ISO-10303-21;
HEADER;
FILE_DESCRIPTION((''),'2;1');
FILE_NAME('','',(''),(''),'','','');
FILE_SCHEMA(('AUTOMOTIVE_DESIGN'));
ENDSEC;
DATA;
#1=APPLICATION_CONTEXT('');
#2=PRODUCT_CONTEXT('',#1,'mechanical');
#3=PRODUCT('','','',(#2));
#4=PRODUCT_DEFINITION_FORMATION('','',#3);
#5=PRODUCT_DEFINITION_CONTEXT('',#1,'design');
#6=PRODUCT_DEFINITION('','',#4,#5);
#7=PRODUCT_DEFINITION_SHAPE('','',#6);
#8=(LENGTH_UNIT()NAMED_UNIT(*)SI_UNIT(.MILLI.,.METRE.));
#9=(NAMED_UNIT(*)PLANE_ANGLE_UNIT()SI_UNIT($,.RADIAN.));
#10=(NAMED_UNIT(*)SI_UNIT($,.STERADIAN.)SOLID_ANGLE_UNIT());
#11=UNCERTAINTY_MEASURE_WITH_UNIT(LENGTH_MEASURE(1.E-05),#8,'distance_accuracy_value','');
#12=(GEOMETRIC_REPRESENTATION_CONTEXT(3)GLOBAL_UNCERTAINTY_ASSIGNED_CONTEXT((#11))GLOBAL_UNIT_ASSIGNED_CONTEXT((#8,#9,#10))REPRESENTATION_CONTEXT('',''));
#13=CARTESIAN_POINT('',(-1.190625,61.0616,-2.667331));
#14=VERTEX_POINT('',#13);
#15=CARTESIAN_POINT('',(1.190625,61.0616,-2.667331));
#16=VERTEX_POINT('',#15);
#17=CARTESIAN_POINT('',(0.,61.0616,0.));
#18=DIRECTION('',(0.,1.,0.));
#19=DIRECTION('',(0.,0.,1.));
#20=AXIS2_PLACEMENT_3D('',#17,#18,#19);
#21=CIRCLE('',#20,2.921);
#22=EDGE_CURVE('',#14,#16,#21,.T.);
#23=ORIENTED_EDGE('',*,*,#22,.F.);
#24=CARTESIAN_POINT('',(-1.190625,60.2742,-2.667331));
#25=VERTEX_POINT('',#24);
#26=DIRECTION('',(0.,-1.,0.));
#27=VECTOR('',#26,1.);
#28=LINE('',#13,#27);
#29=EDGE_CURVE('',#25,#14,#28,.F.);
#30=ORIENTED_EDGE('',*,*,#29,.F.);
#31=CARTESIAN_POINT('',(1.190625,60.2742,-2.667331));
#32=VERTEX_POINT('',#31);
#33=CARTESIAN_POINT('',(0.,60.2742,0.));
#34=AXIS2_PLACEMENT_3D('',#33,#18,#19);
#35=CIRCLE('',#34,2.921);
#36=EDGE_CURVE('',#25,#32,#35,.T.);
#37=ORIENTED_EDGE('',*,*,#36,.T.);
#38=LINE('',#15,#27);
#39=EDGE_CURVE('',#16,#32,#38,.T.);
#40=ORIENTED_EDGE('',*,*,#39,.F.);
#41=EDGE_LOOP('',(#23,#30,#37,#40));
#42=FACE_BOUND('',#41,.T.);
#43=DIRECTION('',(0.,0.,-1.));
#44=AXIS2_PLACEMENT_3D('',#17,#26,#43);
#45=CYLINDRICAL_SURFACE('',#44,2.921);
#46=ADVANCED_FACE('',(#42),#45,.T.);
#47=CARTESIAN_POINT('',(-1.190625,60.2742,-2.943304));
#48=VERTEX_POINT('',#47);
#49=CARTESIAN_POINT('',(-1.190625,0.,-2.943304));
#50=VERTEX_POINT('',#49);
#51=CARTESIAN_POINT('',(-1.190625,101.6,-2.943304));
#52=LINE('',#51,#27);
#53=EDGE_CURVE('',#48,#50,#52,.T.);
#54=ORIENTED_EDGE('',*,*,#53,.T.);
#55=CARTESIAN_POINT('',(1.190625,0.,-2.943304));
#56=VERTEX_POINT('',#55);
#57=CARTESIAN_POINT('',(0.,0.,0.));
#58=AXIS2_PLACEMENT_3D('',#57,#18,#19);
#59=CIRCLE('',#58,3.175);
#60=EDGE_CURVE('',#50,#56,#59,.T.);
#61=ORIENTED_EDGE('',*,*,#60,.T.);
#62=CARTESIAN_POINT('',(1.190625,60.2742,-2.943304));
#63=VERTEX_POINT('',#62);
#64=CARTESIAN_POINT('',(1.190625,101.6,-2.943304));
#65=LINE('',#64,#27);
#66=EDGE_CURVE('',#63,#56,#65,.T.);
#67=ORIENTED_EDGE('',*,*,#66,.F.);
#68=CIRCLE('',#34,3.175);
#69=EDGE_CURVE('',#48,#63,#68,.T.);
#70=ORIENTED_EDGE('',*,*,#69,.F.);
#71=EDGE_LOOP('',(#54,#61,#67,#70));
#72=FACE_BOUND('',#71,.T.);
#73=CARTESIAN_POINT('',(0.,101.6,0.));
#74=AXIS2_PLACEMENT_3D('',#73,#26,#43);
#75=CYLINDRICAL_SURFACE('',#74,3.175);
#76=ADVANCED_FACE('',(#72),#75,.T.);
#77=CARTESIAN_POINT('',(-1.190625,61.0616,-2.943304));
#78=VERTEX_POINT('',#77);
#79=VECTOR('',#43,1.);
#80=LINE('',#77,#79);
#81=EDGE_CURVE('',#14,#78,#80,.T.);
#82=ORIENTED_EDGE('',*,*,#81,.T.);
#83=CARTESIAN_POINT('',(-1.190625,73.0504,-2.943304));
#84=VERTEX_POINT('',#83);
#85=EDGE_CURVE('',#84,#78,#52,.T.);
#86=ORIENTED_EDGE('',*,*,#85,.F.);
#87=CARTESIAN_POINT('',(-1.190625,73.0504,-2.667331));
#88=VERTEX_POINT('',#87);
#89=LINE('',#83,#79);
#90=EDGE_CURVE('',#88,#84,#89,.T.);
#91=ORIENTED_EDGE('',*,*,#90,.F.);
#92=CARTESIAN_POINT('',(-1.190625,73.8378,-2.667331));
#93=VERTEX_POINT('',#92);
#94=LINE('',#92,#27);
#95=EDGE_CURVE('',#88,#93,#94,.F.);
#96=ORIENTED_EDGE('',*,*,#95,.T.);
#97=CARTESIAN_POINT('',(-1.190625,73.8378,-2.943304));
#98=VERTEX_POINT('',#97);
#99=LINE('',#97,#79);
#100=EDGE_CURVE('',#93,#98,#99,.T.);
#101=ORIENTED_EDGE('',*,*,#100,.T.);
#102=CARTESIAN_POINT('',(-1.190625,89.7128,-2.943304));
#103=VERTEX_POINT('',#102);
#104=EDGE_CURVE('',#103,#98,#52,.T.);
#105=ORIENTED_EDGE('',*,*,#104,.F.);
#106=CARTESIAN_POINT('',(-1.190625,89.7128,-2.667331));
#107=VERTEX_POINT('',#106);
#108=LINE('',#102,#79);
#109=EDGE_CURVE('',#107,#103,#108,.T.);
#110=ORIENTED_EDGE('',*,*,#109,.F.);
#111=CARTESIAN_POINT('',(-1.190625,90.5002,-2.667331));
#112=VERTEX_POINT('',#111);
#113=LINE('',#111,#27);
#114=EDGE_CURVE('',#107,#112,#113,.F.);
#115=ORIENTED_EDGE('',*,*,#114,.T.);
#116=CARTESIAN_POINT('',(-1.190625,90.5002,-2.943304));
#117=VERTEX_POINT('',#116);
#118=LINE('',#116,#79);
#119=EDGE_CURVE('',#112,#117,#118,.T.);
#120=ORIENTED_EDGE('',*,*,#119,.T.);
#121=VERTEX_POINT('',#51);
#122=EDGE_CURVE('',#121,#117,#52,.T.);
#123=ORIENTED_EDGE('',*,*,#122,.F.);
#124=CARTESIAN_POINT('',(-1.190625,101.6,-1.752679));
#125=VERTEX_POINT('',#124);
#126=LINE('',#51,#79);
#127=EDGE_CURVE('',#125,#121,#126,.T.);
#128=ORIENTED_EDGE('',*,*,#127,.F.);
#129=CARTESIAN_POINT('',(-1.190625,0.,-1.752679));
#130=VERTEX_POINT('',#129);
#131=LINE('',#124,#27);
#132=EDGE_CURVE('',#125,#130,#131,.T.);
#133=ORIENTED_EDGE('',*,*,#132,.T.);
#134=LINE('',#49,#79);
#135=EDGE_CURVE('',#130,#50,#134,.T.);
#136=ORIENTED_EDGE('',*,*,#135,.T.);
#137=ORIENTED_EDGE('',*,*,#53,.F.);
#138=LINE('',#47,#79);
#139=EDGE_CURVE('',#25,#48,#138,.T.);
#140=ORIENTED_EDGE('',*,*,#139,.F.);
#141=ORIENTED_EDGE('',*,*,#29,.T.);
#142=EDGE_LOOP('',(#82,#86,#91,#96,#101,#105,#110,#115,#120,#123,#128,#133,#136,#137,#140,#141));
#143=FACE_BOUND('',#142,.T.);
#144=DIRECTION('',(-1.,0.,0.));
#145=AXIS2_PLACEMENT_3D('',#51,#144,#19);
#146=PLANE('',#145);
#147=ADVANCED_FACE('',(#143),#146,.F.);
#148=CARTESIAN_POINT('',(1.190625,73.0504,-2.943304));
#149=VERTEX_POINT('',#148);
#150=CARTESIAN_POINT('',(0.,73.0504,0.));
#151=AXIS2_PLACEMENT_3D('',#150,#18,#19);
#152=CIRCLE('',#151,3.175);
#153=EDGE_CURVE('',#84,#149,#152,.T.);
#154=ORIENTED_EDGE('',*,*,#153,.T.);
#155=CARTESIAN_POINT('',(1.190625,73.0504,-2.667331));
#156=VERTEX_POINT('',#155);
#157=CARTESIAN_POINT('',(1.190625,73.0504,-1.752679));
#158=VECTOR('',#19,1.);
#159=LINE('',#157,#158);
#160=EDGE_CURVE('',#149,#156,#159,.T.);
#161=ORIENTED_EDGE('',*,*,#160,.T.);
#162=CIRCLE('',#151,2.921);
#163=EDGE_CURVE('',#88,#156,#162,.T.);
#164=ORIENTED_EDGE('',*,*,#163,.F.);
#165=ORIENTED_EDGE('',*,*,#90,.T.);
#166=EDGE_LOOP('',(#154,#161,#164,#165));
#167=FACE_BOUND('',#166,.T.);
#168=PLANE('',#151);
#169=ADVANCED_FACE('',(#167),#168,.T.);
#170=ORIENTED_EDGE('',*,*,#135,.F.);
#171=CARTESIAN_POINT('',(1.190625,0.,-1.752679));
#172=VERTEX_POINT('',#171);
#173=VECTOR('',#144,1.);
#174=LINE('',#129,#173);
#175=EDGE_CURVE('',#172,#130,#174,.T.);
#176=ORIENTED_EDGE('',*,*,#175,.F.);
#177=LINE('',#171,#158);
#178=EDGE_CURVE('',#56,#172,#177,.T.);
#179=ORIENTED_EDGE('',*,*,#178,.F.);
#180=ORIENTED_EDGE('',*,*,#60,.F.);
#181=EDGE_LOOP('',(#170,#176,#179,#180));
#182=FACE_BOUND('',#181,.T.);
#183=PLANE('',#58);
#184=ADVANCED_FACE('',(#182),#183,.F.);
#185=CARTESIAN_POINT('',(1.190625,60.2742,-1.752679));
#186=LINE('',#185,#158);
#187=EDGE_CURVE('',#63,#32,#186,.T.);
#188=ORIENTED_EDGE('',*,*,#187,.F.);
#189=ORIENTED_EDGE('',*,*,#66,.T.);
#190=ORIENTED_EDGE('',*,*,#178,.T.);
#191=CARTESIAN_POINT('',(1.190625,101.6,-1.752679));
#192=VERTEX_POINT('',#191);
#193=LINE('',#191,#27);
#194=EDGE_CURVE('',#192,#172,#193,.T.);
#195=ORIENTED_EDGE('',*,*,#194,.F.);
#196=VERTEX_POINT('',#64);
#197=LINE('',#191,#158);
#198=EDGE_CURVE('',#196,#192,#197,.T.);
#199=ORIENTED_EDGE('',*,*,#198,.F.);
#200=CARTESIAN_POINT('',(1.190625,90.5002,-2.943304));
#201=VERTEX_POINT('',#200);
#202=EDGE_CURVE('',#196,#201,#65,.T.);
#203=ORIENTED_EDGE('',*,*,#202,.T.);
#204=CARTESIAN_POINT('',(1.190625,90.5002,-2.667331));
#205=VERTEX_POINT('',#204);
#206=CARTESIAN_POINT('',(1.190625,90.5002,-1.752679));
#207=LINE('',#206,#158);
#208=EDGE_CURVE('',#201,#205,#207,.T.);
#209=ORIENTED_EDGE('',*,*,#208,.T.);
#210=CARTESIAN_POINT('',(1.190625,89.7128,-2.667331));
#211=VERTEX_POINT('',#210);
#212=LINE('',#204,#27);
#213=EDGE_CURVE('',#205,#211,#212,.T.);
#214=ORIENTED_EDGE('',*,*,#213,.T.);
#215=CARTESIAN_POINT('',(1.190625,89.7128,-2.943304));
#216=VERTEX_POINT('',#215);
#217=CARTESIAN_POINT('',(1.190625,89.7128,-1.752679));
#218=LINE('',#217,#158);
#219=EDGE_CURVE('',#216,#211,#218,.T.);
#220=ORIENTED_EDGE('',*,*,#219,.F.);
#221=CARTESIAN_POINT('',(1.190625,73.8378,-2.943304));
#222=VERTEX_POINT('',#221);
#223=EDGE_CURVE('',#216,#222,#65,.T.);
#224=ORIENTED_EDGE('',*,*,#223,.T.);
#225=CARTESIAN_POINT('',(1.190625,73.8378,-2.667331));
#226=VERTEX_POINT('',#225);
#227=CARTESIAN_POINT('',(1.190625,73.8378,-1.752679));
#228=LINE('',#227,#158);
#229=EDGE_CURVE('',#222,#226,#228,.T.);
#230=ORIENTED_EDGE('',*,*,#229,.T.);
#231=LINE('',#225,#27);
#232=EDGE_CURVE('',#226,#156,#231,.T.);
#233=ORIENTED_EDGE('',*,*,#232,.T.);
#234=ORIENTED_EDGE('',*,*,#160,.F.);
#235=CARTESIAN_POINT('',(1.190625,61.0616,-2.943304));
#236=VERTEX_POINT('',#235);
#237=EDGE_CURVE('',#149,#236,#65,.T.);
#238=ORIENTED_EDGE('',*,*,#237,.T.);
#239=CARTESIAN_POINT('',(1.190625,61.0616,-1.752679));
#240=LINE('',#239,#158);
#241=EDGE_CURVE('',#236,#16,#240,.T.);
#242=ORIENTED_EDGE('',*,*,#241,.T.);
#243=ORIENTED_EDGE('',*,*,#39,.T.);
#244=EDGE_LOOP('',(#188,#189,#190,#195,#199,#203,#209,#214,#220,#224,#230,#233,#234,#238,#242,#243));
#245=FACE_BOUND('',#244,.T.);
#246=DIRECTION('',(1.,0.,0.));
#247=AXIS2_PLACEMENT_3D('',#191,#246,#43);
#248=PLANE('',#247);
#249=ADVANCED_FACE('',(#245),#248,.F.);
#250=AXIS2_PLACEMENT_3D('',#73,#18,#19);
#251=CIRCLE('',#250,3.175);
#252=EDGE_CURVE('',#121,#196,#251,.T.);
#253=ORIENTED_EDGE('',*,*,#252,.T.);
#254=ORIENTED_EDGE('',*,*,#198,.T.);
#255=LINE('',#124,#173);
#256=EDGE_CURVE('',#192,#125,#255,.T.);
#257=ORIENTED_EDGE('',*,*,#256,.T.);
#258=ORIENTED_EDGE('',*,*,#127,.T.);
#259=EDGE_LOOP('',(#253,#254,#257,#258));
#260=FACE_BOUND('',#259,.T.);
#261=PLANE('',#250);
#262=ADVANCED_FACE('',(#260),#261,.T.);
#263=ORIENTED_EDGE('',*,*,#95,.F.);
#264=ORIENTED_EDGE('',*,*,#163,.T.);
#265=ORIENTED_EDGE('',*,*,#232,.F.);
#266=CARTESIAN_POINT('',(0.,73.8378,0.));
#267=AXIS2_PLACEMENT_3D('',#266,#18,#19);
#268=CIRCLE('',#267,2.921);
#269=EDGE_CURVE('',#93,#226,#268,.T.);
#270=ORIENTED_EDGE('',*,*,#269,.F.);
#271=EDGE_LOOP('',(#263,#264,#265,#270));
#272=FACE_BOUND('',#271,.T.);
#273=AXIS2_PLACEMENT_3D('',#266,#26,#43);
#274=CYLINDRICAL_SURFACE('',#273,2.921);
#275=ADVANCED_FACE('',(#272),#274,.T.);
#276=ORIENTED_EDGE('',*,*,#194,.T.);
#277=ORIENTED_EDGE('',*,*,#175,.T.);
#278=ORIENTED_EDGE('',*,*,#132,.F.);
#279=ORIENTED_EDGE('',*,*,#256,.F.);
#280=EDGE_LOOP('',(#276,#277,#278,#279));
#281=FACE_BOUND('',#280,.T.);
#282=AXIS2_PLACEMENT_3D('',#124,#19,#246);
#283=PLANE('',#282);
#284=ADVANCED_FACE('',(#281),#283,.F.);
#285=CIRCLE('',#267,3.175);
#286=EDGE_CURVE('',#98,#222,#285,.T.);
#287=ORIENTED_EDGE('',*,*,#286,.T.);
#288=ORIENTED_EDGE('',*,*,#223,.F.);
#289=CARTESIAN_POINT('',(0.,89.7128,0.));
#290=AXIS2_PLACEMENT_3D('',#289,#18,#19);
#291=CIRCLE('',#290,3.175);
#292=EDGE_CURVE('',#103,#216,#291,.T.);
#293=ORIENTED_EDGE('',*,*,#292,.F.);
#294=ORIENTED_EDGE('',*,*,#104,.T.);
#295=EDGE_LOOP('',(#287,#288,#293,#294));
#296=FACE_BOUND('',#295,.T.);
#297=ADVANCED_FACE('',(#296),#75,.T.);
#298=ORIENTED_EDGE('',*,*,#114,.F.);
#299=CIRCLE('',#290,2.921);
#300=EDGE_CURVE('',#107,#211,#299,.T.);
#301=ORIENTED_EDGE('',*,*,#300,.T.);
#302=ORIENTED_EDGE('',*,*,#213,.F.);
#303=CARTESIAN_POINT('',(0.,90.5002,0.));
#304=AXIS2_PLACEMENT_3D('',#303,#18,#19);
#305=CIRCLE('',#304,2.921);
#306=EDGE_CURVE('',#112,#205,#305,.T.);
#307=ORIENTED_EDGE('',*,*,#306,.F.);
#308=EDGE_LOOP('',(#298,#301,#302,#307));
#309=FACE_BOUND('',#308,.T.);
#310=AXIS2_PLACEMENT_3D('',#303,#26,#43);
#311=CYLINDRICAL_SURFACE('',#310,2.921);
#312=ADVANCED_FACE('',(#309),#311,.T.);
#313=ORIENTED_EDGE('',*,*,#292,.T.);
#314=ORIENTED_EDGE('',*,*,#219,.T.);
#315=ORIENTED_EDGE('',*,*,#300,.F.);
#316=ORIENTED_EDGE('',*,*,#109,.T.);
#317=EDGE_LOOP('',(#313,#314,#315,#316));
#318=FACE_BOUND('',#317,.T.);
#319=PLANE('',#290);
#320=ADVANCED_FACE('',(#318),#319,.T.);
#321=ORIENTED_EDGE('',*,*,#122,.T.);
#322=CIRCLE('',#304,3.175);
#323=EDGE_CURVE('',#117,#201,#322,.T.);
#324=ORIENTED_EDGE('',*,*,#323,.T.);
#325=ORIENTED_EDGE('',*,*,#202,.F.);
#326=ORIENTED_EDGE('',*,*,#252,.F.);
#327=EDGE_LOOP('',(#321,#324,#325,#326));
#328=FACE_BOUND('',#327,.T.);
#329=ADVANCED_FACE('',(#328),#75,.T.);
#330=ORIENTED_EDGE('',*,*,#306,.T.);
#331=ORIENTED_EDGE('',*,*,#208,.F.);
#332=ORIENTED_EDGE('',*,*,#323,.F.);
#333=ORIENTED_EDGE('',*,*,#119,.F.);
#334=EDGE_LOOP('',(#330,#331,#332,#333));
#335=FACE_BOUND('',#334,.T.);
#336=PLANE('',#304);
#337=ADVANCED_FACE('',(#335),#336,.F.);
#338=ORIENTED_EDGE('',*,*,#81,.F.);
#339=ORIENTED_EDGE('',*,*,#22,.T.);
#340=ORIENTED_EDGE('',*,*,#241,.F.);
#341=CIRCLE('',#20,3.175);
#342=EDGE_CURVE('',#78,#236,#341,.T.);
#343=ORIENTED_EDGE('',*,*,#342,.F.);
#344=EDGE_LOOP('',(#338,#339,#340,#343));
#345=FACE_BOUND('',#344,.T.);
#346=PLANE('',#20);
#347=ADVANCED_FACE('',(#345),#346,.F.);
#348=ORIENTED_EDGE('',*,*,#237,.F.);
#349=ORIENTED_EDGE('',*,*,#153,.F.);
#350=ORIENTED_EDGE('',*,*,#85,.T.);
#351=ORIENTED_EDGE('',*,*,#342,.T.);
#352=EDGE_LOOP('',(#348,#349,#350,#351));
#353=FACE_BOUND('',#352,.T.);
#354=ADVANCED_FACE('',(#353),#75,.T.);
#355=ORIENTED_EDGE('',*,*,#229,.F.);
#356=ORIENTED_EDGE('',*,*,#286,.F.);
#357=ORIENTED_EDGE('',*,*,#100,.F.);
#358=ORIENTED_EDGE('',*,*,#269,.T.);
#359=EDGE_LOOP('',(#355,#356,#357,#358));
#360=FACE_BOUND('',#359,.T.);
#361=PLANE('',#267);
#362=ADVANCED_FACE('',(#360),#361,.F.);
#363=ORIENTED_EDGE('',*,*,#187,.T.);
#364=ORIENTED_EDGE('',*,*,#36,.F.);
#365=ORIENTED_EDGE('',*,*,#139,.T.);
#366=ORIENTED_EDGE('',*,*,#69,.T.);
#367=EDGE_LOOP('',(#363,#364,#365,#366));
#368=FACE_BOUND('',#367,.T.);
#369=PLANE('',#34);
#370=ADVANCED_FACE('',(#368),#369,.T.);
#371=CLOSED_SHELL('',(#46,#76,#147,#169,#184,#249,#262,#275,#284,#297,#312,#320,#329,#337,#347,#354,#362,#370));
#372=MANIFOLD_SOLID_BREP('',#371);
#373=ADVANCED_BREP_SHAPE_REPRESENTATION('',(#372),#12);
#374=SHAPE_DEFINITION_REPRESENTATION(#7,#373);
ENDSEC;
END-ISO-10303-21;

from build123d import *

# Parameters (mm, degrees)
BOSS_EXTRUDE1_DEPTH = 101.6
CUT_EXTRUDE1_START  = -41.3258
SKETCH3_R           = 3.175
SKETCH3_R_2         = 2.921
CUT_EXTRUDE1_DEPTH  = 0.7874
CUT_EXTRUDE2_START  = -28.5496
SKETCH3_3_R         = 3.175
SKETCH3_3_R_2       = 2.921
CUT_EXTRUDE2_DEPTH  = 0.7874
CUT_EXTRUDE3_START  = -11.8872
SKETCH3_4_R         = 3.175
SKETCH3_4_R_2       = 2.921
CUT_EXTRUDE3_DEPTH  = 0.7874


with BuildPart() as part:
    # Sketch1 → Boss-Extrude1 (new body)
    with BuildSketch(Plane(origin=(0, 0, 0), x_dir=(1, 0, 0), z_dir=(0, 1, 0))):
        with BuildLine():
            Line((-1.190625, 2.943303775), (-1.190625, 1.752678775))
            Line((-1.190625, 1.752678775), (1.190625, 1.752678775))
            Line((1.190625, 1.752678775), (1.190625, 2.943303775))
            ThreePointArc((1.190625, 2.943303775), (0, -3.175), (-1.190625, 2.943303775))
        make_face()
    extrude(amount=BOSS_EXTRUDE1_DEPTH)

    # Sketch3 → Cut-Extrude1 (cut)
    with BuildSketch(Plane(origin=(0, 101.6, 0), x_dir=(1, 0, 0), z_dir=(0, 1, 0)).offset(CUT_EXTRUDE1_START)):
        Circle(SKETCH3_R)
        Circle(SKETCH3_R_2, mode=Mode.SUBTRACT)
    extrude(amount=CUT_EXTRUDE1_DEPTH, mode=Mode.SUBTRACT)

    # Sketch3<3> → Cut-Extrude2 (cut)
    with BuildSketch(Plane(origin=(0, 101.6, 0), x_dir=(1, 0, 0), z_dir=(0, 1, 0)).offset(CUT_EXTRUDE2_START)):
        Circle(SKETCH3_3_R)
        Circle(SKETCH3_3_R_2, mode=Mode.SUBTRACT)
    extrude(amount=CUT_EXTRUDE2_DEPTH, mode=Mode.SUBTRACT)

    # Sketch3<4> → Cut-Extrude3 (cut)
    with BuildSketch(Plane(origin=(0, 101.6, 0), x_dir=(1, 0, 0), z_dir=(0, 1, 0)).offset(CUT_EXTRUDE3_START)):
        Circle(SKETCH3_4_R)
        Circle(SKETCH3_4_R_2, mode=Mode.SUBTRACT)
    extrude(amount=CUT_EXTRUDE3_DEPTH, mode=Mode.SUBTRACT)


solid = part.part
